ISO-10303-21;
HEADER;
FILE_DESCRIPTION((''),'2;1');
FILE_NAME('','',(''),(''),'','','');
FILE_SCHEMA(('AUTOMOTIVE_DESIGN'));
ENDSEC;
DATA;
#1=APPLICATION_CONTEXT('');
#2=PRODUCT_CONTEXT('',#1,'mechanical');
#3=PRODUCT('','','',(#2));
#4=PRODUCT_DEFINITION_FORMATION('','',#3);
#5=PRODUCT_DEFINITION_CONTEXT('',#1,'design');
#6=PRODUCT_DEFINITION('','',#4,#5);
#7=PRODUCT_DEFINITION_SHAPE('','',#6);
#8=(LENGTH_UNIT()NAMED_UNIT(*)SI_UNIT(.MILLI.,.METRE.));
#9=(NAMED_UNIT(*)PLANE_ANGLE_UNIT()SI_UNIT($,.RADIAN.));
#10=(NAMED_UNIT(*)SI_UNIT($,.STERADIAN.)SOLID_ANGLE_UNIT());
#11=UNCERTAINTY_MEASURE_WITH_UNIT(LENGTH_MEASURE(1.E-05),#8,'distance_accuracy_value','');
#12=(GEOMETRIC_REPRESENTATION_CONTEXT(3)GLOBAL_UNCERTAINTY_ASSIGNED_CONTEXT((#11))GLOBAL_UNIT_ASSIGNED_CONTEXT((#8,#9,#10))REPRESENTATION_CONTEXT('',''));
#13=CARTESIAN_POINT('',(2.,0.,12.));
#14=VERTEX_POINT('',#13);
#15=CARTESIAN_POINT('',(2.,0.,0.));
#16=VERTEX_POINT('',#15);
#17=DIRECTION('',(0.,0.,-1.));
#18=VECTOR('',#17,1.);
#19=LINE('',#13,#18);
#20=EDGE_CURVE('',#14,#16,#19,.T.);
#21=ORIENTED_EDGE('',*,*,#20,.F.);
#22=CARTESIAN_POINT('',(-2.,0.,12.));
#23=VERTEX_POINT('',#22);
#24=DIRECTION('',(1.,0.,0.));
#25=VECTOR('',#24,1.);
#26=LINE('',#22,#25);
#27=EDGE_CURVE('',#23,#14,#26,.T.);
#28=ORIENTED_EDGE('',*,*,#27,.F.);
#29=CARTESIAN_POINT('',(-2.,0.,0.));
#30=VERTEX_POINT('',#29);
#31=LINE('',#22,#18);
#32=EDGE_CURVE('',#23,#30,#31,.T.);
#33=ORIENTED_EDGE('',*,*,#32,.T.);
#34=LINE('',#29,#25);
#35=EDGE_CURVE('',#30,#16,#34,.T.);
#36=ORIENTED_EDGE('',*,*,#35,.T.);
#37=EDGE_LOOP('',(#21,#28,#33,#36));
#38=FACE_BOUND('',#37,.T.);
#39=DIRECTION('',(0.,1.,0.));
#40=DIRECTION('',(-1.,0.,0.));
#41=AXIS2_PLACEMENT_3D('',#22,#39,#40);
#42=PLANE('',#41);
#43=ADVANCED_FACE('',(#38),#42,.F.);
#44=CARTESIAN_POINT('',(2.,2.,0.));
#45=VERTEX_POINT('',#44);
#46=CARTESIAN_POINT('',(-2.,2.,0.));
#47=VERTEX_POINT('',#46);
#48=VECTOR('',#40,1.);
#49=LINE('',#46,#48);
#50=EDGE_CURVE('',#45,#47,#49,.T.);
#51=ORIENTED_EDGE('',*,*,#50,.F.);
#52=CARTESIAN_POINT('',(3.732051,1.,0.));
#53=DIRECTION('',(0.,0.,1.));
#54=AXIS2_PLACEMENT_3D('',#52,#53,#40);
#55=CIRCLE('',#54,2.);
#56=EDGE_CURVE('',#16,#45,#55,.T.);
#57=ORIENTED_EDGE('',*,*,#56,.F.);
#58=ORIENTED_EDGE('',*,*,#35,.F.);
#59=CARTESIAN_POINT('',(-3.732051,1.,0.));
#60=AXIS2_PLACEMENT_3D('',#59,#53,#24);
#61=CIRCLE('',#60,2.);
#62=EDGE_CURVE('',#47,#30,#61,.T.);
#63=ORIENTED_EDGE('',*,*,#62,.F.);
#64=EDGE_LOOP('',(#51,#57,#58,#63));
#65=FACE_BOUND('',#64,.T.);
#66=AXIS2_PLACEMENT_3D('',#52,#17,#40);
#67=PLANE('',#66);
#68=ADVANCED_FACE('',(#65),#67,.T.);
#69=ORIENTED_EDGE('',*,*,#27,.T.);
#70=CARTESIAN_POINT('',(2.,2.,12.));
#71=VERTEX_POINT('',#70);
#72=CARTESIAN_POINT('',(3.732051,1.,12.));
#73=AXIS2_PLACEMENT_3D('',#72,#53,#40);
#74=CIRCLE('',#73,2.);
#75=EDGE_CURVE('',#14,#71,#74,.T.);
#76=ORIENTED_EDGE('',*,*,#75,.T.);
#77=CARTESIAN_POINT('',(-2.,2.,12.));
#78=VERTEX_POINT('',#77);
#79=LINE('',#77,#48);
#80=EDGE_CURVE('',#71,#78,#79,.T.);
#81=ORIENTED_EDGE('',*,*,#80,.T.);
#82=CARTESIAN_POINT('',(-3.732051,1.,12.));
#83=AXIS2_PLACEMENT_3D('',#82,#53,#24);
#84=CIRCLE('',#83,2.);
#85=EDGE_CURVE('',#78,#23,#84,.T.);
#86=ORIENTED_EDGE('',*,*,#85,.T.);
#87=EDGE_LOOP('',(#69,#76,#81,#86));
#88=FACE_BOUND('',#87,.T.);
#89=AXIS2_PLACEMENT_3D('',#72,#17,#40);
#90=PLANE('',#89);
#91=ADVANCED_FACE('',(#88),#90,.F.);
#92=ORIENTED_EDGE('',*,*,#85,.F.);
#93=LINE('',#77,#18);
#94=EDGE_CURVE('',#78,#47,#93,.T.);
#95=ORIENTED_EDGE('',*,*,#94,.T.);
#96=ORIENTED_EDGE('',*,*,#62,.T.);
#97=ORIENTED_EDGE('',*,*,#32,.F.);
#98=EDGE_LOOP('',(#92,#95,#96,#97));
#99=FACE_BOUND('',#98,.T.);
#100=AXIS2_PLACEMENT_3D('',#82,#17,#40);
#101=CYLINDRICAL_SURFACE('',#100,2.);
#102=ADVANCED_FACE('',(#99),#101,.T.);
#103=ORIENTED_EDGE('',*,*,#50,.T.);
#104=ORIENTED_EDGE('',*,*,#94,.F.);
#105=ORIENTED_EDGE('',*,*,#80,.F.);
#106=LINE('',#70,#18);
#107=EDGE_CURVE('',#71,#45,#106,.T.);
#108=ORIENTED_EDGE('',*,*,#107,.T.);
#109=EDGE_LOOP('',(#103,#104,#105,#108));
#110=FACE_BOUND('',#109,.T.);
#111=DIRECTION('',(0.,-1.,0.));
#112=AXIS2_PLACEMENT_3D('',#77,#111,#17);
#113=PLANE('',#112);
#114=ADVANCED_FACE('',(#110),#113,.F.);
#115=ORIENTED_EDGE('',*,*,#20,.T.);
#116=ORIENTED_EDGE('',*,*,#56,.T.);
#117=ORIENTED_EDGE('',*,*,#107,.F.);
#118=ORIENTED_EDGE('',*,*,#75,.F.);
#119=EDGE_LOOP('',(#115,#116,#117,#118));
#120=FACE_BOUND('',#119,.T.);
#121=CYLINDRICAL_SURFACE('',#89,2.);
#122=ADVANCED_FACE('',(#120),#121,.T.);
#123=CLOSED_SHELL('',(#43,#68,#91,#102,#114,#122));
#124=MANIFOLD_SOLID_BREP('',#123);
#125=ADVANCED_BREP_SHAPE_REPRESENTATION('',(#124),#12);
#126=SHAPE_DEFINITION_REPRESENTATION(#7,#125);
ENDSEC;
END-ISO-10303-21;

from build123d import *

# Parameters (mm, degrees)
BOSS_EXTRU_1_DEPTH = 12


with BuildPart() as part:
    # Esquisse1 → Boss.-Extru.1 (new body)
    with BuildSketch(Plane.XY):
        with BuildLine():
            Line((-2, 0), (2, 0))
            ThreePointArc((2, 0), (5.732050808, 1), (2, 2))
            Line((2, 2), (-2, 2))
            ThreePointArc((-2, 2), (-5.732050808, 1), (-2, 0))
        make_face()
    extrude(amount=BOSS_EXTRU_1_DEPTH)


solid = part.part
